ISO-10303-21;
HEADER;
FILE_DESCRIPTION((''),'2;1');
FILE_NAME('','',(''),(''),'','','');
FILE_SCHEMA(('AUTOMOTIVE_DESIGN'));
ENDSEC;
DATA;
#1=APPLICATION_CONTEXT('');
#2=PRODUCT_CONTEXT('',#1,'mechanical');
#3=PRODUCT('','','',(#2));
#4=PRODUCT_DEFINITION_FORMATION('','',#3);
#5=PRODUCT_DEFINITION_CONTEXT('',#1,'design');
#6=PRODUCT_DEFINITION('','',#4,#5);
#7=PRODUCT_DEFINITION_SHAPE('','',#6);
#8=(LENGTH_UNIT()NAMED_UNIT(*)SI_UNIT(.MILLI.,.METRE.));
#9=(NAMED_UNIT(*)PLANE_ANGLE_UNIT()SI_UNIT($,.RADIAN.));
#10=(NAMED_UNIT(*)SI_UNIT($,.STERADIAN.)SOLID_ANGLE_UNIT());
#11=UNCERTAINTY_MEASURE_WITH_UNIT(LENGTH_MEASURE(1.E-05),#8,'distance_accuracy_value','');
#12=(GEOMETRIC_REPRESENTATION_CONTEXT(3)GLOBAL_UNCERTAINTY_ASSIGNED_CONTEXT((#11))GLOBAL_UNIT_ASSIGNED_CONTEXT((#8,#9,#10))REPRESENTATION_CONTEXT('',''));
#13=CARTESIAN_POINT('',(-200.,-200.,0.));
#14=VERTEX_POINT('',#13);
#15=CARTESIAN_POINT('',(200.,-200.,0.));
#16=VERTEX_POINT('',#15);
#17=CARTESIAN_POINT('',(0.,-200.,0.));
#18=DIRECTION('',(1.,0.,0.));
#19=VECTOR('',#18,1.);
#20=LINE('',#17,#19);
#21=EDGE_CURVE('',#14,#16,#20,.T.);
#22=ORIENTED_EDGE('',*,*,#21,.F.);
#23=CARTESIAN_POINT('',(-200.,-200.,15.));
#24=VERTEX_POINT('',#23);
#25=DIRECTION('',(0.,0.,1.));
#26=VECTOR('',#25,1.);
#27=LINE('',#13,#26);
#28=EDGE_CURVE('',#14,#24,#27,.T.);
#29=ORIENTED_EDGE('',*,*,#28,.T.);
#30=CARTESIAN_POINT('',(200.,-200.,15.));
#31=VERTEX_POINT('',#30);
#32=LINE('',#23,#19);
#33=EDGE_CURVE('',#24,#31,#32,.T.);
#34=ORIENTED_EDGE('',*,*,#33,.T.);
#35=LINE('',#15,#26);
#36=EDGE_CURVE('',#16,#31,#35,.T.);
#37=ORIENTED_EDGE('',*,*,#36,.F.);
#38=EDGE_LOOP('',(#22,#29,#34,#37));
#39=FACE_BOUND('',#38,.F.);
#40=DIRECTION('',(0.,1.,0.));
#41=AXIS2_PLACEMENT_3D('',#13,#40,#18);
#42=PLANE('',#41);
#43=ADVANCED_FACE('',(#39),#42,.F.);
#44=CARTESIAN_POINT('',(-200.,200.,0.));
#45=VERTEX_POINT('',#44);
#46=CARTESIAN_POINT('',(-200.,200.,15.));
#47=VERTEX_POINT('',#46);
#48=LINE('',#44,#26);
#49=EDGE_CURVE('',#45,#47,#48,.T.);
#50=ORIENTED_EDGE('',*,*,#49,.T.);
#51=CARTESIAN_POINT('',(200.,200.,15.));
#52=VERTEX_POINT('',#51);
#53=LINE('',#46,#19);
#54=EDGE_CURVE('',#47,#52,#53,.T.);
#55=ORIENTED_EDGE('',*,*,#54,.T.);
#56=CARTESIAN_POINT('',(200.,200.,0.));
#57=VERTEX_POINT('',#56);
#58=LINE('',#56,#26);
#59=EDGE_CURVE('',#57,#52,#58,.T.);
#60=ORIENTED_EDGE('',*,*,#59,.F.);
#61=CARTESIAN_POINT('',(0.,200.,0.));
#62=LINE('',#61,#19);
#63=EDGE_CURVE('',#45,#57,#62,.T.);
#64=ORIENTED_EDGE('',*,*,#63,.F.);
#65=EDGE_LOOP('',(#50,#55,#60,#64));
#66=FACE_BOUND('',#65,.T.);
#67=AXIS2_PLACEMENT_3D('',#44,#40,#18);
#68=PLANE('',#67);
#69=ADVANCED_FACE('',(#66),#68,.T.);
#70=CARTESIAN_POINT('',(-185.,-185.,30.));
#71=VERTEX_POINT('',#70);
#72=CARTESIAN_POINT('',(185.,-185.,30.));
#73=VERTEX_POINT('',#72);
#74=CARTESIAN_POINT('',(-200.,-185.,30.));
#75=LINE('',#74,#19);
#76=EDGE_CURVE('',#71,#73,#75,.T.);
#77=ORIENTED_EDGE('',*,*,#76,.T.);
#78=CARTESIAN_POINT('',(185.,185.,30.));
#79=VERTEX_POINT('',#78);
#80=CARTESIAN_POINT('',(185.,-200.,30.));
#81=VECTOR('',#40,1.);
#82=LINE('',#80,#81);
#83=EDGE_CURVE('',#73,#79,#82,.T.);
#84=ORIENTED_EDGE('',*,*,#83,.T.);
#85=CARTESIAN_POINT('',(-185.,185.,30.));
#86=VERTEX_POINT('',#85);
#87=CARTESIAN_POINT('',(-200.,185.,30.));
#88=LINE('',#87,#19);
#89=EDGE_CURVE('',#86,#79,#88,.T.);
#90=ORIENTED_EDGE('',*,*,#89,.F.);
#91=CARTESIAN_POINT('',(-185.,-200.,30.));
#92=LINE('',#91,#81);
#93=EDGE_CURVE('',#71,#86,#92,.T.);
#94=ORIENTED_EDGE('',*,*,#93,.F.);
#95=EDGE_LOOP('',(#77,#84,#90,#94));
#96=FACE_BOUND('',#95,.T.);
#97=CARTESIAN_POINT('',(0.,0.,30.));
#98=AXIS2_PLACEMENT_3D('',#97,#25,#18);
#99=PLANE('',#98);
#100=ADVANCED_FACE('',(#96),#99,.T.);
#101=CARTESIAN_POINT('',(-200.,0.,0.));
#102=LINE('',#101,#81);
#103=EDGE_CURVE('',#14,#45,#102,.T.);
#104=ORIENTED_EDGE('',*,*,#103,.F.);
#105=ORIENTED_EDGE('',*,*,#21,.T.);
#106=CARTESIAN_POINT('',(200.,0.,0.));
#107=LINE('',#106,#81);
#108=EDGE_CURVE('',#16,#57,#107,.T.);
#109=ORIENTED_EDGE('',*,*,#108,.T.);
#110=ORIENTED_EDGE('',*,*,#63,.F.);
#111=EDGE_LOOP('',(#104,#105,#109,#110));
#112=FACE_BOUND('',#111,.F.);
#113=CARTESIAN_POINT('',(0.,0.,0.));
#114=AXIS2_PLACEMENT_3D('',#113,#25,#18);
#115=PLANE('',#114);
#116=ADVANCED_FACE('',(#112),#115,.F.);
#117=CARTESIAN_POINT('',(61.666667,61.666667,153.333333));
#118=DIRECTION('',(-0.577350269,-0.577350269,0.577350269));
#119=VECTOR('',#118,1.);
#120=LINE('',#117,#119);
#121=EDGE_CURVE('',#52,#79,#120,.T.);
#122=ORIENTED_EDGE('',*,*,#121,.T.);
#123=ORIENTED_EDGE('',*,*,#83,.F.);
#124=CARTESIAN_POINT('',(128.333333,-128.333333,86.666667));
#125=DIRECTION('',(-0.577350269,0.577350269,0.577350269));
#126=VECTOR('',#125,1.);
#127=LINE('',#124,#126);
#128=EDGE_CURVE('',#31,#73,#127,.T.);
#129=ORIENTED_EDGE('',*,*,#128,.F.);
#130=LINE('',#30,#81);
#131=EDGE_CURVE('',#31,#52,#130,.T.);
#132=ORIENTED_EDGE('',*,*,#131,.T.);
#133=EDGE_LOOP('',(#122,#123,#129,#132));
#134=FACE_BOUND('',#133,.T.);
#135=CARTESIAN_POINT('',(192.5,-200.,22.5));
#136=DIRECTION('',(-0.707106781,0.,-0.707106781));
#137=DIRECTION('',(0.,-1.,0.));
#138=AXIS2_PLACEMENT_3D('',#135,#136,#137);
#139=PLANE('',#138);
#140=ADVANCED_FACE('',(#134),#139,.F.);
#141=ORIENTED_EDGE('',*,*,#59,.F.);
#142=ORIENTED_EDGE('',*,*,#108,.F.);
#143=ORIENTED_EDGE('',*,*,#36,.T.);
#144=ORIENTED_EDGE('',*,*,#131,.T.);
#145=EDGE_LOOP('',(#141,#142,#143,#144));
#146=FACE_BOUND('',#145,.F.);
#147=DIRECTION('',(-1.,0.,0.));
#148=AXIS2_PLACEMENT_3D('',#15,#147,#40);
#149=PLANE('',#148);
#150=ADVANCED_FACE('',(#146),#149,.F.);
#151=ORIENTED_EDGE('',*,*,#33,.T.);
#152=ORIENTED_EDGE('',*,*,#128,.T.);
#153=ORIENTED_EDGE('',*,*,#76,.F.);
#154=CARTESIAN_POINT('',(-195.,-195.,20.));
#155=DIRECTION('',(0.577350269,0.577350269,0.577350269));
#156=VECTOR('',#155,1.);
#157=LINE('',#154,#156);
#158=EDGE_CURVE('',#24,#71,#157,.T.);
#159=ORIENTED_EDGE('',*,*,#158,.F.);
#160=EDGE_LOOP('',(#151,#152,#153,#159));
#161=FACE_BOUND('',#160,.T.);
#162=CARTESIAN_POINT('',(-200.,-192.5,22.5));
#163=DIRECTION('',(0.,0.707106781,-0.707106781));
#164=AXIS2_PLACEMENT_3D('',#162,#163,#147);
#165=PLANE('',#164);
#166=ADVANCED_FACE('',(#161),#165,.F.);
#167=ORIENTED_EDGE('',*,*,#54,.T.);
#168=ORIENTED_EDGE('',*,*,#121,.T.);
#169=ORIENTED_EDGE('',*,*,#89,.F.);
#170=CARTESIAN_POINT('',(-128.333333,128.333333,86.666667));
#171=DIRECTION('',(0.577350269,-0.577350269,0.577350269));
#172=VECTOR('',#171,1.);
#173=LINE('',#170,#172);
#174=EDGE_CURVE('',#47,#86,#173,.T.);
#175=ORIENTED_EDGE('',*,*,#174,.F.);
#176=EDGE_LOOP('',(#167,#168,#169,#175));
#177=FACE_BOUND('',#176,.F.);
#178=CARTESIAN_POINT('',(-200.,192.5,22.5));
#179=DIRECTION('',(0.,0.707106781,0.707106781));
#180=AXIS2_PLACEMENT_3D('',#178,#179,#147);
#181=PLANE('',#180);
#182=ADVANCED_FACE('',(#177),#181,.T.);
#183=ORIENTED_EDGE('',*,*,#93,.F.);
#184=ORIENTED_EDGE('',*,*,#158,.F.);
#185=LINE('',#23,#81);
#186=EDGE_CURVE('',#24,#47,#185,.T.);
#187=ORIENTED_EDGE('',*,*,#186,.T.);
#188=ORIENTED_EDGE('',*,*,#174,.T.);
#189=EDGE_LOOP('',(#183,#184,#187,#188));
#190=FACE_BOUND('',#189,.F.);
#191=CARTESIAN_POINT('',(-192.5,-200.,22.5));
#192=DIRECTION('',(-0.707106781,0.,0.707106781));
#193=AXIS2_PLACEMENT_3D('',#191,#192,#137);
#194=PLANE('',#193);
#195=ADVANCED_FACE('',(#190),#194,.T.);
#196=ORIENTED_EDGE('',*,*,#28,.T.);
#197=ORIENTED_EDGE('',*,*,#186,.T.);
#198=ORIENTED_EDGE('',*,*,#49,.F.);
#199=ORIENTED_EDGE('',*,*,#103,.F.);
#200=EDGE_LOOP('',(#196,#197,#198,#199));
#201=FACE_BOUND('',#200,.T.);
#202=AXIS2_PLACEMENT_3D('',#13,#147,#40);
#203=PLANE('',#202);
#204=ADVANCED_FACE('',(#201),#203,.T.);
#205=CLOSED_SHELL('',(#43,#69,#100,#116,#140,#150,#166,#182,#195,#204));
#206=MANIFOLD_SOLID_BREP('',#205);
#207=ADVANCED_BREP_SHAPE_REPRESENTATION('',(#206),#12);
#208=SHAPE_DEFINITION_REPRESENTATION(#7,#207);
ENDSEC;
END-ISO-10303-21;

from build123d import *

# Parameters (mm, degrees)
F0_W     = 400
F0_H     = 400
F1_DEPTH = 30
F2_SIZE  = 15


with BuildPart() as f1:
    # F0 (on Top) → F1 (new body)
    with BuildSketch(Plane.XY):
        Rectangle(F0_W, F0_H)
    extrude(amount=F1_DEPTH)

    # F2
    f2_edges = [f1.edges().sort_by_distance(p)[0] for p in [
        (0, -200, 30),
        (200, 0, 30),
        (0, 200, 30),
        (-200, 0, 30),
    ]]
    chamfer(f2_edges, length=F2_SIZE)


solid = f1.part
